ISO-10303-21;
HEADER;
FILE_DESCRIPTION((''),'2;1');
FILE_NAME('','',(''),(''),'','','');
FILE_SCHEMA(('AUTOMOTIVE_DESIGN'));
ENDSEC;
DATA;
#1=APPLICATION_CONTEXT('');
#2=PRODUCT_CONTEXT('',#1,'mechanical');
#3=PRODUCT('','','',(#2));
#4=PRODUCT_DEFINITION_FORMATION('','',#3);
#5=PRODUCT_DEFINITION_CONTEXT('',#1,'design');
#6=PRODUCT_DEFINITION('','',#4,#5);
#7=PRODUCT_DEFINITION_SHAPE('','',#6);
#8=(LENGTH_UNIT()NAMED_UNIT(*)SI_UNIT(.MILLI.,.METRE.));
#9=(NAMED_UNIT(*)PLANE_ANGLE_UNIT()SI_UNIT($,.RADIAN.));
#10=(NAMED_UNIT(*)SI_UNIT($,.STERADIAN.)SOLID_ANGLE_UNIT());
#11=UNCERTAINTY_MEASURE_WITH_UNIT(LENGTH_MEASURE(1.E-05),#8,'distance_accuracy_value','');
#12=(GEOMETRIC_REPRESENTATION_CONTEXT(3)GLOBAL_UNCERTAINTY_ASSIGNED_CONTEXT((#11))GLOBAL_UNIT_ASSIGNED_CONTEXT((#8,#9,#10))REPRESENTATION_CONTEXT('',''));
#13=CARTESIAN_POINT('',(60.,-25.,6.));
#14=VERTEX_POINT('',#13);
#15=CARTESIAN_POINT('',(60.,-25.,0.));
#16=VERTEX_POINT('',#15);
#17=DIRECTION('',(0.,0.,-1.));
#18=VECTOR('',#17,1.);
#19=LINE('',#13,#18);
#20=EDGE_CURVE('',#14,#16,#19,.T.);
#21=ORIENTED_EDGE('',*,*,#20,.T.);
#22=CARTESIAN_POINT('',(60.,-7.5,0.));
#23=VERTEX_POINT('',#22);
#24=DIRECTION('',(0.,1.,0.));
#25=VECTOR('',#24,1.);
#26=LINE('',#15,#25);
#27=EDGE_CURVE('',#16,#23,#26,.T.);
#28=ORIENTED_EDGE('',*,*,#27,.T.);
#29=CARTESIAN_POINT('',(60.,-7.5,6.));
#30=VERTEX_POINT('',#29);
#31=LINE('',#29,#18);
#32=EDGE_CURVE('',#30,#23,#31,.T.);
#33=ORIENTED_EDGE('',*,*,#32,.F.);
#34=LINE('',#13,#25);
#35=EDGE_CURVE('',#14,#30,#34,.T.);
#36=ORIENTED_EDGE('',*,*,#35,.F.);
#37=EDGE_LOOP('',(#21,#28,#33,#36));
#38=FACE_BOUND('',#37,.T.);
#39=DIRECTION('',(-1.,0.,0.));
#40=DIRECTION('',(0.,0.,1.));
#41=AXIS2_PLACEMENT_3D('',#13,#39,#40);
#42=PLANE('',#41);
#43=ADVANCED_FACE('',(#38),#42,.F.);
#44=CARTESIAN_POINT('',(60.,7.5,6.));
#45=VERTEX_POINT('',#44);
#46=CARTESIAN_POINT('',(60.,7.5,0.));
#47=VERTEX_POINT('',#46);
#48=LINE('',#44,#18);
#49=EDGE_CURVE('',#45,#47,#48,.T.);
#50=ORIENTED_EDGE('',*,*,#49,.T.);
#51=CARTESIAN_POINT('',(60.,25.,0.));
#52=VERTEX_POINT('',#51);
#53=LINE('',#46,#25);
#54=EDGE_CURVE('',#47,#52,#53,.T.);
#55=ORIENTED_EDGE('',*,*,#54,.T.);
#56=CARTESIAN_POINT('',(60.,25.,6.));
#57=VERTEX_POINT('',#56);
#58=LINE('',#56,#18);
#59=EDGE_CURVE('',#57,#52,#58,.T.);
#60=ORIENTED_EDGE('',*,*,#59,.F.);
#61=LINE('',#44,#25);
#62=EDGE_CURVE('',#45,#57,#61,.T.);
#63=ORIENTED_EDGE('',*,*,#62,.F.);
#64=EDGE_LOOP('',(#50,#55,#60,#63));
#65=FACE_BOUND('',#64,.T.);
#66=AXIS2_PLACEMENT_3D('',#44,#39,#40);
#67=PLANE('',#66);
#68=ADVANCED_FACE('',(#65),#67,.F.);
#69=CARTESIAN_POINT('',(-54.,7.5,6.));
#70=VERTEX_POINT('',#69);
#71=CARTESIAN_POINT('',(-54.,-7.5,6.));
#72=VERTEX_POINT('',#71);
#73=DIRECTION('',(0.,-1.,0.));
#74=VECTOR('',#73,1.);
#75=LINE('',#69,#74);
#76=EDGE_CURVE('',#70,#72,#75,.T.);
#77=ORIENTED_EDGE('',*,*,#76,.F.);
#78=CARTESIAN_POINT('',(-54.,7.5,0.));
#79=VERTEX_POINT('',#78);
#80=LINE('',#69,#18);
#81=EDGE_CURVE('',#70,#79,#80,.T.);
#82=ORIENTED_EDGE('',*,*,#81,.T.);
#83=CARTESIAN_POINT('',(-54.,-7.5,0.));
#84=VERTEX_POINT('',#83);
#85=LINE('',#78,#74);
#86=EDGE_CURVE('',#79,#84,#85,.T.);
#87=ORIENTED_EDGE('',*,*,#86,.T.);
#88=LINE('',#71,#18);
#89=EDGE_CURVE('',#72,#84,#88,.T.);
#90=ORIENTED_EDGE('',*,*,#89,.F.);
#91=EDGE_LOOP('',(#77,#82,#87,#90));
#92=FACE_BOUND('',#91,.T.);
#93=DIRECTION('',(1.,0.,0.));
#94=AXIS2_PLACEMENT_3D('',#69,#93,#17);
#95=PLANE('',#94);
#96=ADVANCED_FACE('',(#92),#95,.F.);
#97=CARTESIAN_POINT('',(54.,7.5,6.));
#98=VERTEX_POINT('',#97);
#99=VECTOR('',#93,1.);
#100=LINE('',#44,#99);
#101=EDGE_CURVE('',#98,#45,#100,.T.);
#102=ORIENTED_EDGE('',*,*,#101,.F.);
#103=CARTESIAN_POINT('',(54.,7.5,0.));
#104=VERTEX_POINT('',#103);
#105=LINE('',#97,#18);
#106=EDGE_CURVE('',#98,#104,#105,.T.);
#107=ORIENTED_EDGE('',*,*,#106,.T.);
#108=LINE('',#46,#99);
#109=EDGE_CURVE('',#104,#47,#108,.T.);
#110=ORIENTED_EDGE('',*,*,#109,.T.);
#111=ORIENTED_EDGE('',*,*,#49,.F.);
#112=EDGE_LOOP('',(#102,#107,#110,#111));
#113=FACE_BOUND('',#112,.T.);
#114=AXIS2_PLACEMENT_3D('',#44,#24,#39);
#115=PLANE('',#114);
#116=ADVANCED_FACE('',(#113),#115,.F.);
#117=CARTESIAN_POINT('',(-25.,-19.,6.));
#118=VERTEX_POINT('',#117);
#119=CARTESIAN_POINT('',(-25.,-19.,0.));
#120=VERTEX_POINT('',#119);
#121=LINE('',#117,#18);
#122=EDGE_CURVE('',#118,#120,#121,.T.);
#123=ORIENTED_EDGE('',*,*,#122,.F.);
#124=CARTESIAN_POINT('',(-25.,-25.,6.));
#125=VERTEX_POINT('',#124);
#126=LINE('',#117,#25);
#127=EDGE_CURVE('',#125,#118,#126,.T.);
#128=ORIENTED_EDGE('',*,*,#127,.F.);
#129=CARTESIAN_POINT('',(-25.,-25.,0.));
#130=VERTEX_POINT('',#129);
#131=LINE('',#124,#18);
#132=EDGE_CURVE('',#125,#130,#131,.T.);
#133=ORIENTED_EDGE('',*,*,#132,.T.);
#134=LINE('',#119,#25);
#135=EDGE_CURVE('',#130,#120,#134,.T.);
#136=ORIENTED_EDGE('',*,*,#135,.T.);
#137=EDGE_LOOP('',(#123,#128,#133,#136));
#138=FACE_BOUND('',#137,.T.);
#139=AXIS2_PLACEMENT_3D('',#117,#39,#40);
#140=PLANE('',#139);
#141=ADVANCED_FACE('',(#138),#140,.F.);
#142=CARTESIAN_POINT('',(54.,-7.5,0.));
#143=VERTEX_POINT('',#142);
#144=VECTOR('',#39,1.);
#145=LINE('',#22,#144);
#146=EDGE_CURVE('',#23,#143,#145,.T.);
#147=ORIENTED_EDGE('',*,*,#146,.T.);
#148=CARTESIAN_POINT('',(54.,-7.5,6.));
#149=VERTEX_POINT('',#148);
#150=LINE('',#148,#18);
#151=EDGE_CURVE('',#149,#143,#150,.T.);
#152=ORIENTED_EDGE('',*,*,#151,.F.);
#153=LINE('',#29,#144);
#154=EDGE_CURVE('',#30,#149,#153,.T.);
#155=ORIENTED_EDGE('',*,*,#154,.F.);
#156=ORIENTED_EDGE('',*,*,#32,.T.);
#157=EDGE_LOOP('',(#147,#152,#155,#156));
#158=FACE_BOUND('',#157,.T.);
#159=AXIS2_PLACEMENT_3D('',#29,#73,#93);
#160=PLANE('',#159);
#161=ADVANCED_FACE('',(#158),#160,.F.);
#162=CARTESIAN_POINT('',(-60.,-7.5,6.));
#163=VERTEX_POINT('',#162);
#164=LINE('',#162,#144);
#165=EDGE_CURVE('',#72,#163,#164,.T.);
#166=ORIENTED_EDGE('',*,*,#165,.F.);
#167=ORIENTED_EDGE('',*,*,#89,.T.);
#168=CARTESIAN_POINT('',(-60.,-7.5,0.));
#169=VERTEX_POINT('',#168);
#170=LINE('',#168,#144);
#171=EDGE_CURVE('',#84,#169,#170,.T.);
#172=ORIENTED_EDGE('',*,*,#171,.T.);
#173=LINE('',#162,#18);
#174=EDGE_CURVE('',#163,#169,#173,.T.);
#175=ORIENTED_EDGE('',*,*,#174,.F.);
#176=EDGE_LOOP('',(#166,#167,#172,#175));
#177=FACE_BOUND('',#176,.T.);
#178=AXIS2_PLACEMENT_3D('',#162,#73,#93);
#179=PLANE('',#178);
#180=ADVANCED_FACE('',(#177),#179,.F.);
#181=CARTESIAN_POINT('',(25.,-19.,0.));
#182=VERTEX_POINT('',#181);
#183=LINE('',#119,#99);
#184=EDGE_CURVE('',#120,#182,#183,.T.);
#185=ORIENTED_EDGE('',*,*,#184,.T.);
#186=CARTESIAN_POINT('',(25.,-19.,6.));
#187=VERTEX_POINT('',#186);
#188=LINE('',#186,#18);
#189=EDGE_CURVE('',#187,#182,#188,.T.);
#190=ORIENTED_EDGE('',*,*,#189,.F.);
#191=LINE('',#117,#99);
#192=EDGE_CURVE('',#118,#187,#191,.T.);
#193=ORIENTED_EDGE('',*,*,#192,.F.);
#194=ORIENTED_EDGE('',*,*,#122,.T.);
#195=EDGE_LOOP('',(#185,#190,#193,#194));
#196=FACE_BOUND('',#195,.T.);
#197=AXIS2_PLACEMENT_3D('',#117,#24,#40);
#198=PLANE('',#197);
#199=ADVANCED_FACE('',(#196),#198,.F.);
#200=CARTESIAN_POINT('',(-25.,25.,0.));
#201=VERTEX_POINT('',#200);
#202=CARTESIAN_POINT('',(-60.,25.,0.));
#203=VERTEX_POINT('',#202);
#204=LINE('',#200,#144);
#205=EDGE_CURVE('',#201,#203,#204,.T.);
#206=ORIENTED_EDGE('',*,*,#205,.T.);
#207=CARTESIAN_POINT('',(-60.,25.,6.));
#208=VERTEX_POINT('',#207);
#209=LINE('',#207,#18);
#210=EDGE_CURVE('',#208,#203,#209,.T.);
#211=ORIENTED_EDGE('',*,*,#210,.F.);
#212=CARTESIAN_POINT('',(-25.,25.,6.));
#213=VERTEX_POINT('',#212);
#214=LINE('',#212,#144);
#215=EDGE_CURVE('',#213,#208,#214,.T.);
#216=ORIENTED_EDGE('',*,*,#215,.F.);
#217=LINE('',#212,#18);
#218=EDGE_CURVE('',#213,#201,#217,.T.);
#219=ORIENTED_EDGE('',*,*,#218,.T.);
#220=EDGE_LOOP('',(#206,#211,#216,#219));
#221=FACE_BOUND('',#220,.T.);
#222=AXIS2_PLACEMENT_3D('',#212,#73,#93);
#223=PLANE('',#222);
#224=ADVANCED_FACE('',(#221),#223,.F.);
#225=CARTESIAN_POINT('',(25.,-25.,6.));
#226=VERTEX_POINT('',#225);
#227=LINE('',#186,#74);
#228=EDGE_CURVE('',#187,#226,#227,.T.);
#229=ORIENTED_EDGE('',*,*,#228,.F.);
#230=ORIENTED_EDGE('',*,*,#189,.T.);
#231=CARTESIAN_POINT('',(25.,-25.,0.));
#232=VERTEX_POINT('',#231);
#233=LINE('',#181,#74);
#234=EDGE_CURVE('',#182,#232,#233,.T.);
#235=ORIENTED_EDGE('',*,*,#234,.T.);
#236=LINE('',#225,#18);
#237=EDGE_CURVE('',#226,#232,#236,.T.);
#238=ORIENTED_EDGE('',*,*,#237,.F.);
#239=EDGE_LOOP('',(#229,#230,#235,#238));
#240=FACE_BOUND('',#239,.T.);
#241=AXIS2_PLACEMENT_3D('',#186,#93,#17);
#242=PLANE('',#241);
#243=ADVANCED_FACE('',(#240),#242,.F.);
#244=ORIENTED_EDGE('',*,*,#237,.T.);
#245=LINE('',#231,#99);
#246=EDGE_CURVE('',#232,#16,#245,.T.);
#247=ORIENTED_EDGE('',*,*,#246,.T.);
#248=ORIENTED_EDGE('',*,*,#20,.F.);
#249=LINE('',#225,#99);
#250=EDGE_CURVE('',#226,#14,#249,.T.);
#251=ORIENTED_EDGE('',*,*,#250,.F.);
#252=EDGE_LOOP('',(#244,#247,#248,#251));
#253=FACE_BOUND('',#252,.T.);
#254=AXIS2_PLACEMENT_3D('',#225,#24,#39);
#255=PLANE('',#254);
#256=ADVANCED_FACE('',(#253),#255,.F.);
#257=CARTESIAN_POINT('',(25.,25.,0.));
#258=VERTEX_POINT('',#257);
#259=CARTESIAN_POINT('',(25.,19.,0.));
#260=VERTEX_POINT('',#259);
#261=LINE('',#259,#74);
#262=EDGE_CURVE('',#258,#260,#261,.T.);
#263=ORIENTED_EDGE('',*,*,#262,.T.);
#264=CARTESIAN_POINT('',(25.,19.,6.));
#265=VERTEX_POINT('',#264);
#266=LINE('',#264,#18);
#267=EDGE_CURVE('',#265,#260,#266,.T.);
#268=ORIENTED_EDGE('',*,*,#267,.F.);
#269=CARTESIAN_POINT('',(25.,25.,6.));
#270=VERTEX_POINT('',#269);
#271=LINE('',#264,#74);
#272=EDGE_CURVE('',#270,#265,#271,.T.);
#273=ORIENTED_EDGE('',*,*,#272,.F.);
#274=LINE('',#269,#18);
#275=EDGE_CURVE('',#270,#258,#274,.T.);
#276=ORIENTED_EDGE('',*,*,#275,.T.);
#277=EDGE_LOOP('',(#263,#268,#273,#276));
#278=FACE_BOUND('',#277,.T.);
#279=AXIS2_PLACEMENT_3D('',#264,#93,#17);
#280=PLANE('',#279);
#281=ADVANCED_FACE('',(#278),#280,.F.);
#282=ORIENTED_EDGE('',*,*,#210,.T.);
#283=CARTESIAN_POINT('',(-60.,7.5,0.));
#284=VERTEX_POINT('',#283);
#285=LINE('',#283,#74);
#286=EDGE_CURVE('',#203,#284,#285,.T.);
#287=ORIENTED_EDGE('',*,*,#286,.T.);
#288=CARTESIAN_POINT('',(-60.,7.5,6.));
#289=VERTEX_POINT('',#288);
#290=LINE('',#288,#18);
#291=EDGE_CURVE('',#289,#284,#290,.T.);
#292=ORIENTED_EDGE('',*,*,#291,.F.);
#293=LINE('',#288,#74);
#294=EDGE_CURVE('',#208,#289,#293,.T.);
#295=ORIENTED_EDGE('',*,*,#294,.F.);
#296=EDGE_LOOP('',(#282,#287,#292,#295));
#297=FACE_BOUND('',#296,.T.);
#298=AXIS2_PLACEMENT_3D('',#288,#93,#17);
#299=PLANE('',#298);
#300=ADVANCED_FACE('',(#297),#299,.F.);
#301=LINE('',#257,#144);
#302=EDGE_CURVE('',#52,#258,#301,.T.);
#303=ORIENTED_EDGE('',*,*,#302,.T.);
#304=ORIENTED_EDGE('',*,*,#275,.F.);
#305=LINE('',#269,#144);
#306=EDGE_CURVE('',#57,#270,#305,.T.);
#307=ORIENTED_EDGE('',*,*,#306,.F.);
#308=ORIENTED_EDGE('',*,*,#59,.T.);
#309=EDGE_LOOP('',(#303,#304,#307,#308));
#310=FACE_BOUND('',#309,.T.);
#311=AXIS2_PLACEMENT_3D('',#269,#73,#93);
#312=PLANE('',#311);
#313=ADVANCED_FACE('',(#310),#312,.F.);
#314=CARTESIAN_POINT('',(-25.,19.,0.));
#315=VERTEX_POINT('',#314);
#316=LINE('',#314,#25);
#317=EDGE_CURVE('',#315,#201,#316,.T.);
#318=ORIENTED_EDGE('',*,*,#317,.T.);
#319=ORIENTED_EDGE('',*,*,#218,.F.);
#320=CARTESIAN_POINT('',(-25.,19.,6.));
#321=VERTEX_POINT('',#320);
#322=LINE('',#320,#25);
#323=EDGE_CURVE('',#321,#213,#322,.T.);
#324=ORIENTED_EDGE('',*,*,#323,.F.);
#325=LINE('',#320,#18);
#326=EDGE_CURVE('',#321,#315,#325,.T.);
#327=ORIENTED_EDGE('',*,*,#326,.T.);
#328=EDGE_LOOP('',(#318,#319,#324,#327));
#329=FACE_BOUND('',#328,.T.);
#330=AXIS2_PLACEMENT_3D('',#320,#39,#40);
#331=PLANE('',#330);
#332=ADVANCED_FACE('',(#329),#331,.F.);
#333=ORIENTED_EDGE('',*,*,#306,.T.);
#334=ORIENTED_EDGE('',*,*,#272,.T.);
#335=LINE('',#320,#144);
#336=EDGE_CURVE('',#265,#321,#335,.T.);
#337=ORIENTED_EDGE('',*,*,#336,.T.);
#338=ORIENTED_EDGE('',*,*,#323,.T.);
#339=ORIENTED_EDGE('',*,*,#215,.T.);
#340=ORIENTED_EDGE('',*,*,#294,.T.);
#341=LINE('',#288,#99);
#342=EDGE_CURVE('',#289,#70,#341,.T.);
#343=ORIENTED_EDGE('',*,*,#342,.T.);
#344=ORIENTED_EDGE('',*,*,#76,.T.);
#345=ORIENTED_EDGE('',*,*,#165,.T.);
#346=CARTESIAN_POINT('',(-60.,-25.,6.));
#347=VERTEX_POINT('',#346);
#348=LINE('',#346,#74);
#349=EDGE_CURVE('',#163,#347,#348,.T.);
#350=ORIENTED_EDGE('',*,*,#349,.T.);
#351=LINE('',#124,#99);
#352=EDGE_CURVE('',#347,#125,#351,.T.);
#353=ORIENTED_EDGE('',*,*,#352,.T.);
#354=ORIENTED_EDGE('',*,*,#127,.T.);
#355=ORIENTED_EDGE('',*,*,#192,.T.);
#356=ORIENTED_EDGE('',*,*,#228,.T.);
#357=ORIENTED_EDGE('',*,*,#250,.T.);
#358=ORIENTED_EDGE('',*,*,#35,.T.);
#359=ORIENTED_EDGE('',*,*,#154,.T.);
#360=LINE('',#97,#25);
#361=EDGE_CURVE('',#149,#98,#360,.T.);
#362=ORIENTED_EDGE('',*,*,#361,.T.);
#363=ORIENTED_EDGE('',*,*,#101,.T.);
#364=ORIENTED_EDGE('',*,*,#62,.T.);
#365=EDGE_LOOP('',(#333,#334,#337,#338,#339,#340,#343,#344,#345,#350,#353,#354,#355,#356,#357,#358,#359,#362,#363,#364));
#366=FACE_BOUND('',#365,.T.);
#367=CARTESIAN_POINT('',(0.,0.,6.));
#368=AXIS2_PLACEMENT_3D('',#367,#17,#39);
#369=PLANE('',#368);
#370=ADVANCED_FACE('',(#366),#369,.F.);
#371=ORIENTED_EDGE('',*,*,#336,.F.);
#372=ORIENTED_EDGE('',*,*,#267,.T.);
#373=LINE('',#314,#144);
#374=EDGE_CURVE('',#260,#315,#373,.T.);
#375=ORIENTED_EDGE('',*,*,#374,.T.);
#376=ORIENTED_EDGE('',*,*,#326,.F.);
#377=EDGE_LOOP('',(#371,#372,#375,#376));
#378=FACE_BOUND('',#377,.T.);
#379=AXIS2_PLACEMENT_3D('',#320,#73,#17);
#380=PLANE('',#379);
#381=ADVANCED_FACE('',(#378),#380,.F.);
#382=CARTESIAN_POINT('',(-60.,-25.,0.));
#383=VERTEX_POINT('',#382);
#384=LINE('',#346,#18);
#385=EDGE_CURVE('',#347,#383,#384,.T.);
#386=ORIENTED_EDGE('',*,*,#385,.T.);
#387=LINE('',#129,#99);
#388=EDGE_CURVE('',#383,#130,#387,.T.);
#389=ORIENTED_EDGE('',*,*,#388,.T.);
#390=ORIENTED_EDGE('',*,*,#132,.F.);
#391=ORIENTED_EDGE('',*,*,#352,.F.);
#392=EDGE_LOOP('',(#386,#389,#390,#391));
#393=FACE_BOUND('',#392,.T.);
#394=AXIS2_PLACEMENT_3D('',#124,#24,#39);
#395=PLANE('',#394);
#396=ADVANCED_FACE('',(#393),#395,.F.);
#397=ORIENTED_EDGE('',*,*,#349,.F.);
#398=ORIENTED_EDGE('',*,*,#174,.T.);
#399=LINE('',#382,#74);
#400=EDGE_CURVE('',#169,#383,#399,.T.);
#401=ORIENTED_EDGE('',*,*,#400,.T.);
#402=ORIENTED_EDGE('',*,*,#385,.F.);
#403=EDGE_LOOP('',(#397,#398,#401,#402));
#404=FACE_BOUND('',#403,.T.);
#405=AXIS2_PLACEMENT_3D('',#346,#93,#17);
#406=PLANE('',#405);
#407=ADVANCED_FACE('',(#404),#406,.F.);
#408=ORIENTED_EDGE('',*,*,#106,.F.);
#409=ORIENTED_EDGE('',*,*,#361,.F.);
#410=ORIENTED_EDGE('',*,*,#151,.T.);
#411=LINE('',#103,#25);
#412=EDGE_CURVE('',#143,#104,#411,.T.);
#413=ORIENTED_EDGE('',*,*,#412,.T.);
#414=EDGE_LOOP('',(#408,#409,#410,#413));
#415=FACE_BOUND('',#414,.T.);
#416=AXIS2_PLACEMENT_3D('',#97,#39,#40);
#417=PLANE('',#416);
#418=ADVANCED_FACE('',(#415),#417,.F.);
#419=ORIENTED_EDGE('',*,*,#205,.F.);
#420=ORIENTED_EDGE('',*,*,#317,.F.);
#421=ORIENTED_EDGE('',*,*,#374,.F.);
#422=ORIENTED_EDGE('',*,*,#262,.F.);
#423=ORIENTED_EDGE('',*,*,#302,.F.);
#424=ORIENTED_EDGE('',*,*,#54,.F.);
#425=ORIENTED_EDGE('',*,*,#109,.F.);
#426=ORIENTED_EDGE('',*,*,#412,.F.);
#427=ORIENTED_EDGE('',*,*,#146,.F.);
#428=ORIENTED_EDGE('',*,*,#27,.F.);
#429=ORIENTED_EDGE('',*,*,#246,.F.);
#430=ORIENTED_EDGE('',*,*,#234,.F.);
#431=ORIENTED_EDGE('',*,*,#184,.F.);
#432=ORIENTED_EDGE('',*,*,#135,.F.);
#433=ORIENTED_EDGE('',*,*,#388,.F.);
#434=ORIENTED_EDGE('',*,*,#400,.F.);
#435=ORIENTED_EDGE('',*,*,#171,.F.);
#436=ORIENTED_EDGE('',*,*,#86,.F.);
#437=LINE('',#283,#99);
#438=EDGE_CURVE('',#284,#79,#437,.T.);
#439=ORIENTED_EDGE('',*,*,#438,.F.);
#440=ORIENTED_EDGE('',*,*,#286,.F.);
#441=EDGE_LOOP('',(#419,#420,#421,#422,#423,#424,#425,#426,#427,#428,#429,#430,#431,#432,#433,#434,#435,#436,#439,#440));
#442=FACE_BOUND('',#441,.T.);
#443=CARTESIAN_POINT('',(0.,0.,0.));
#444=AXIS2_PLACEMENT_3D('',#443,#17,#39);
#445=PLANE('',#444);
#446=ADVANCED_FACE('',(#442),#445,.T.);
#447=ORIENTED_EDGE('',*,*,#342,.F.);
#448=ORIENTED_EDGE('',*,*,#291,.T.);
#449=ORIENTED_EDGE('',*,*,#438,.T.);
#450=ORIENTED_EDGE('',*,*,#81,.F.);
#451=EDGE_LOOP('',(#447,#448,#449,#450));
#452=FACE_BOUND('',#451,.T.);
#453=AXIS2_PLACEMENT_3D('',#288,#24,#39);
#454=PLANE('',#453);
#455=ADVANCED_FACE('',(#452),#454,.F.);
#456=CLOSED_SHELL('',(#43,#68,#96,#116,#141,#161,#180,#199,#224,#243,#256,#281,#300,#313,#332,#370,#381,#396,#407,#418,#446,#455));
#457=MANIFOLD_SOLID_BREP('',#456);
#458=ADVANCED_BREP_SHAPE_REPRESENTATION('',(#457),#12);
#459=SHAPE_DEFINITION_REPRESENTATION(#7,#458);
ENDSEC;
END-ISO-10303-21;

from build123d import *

# Parameters (mm, degrees)
SALIENTE_EXTRUIR1_DEPTH = 6


with BuildPart() as part:
    # Croquis1 → Saliente-Extruir1 (new body)
    with BuildSketch(Plane.XY):
        Polygon((-25, 19), (-25, 25), (-60, 25), (-60, 7.5), (-54, 7.5), (-54, -7.5), (-60, -7.5), (-60, -25), (-25, -25), (-25, -19), (25, -19), (25, -25), (60, -25), (60, -7.5), (54, -7.5), (54, 7.5), (60, 7.5), (60, 25), (25, 25), (25, 19), align=None)
    extrude(amount=SALIENTE_EXTRUIR1_DEPTH)


solid = part.part
